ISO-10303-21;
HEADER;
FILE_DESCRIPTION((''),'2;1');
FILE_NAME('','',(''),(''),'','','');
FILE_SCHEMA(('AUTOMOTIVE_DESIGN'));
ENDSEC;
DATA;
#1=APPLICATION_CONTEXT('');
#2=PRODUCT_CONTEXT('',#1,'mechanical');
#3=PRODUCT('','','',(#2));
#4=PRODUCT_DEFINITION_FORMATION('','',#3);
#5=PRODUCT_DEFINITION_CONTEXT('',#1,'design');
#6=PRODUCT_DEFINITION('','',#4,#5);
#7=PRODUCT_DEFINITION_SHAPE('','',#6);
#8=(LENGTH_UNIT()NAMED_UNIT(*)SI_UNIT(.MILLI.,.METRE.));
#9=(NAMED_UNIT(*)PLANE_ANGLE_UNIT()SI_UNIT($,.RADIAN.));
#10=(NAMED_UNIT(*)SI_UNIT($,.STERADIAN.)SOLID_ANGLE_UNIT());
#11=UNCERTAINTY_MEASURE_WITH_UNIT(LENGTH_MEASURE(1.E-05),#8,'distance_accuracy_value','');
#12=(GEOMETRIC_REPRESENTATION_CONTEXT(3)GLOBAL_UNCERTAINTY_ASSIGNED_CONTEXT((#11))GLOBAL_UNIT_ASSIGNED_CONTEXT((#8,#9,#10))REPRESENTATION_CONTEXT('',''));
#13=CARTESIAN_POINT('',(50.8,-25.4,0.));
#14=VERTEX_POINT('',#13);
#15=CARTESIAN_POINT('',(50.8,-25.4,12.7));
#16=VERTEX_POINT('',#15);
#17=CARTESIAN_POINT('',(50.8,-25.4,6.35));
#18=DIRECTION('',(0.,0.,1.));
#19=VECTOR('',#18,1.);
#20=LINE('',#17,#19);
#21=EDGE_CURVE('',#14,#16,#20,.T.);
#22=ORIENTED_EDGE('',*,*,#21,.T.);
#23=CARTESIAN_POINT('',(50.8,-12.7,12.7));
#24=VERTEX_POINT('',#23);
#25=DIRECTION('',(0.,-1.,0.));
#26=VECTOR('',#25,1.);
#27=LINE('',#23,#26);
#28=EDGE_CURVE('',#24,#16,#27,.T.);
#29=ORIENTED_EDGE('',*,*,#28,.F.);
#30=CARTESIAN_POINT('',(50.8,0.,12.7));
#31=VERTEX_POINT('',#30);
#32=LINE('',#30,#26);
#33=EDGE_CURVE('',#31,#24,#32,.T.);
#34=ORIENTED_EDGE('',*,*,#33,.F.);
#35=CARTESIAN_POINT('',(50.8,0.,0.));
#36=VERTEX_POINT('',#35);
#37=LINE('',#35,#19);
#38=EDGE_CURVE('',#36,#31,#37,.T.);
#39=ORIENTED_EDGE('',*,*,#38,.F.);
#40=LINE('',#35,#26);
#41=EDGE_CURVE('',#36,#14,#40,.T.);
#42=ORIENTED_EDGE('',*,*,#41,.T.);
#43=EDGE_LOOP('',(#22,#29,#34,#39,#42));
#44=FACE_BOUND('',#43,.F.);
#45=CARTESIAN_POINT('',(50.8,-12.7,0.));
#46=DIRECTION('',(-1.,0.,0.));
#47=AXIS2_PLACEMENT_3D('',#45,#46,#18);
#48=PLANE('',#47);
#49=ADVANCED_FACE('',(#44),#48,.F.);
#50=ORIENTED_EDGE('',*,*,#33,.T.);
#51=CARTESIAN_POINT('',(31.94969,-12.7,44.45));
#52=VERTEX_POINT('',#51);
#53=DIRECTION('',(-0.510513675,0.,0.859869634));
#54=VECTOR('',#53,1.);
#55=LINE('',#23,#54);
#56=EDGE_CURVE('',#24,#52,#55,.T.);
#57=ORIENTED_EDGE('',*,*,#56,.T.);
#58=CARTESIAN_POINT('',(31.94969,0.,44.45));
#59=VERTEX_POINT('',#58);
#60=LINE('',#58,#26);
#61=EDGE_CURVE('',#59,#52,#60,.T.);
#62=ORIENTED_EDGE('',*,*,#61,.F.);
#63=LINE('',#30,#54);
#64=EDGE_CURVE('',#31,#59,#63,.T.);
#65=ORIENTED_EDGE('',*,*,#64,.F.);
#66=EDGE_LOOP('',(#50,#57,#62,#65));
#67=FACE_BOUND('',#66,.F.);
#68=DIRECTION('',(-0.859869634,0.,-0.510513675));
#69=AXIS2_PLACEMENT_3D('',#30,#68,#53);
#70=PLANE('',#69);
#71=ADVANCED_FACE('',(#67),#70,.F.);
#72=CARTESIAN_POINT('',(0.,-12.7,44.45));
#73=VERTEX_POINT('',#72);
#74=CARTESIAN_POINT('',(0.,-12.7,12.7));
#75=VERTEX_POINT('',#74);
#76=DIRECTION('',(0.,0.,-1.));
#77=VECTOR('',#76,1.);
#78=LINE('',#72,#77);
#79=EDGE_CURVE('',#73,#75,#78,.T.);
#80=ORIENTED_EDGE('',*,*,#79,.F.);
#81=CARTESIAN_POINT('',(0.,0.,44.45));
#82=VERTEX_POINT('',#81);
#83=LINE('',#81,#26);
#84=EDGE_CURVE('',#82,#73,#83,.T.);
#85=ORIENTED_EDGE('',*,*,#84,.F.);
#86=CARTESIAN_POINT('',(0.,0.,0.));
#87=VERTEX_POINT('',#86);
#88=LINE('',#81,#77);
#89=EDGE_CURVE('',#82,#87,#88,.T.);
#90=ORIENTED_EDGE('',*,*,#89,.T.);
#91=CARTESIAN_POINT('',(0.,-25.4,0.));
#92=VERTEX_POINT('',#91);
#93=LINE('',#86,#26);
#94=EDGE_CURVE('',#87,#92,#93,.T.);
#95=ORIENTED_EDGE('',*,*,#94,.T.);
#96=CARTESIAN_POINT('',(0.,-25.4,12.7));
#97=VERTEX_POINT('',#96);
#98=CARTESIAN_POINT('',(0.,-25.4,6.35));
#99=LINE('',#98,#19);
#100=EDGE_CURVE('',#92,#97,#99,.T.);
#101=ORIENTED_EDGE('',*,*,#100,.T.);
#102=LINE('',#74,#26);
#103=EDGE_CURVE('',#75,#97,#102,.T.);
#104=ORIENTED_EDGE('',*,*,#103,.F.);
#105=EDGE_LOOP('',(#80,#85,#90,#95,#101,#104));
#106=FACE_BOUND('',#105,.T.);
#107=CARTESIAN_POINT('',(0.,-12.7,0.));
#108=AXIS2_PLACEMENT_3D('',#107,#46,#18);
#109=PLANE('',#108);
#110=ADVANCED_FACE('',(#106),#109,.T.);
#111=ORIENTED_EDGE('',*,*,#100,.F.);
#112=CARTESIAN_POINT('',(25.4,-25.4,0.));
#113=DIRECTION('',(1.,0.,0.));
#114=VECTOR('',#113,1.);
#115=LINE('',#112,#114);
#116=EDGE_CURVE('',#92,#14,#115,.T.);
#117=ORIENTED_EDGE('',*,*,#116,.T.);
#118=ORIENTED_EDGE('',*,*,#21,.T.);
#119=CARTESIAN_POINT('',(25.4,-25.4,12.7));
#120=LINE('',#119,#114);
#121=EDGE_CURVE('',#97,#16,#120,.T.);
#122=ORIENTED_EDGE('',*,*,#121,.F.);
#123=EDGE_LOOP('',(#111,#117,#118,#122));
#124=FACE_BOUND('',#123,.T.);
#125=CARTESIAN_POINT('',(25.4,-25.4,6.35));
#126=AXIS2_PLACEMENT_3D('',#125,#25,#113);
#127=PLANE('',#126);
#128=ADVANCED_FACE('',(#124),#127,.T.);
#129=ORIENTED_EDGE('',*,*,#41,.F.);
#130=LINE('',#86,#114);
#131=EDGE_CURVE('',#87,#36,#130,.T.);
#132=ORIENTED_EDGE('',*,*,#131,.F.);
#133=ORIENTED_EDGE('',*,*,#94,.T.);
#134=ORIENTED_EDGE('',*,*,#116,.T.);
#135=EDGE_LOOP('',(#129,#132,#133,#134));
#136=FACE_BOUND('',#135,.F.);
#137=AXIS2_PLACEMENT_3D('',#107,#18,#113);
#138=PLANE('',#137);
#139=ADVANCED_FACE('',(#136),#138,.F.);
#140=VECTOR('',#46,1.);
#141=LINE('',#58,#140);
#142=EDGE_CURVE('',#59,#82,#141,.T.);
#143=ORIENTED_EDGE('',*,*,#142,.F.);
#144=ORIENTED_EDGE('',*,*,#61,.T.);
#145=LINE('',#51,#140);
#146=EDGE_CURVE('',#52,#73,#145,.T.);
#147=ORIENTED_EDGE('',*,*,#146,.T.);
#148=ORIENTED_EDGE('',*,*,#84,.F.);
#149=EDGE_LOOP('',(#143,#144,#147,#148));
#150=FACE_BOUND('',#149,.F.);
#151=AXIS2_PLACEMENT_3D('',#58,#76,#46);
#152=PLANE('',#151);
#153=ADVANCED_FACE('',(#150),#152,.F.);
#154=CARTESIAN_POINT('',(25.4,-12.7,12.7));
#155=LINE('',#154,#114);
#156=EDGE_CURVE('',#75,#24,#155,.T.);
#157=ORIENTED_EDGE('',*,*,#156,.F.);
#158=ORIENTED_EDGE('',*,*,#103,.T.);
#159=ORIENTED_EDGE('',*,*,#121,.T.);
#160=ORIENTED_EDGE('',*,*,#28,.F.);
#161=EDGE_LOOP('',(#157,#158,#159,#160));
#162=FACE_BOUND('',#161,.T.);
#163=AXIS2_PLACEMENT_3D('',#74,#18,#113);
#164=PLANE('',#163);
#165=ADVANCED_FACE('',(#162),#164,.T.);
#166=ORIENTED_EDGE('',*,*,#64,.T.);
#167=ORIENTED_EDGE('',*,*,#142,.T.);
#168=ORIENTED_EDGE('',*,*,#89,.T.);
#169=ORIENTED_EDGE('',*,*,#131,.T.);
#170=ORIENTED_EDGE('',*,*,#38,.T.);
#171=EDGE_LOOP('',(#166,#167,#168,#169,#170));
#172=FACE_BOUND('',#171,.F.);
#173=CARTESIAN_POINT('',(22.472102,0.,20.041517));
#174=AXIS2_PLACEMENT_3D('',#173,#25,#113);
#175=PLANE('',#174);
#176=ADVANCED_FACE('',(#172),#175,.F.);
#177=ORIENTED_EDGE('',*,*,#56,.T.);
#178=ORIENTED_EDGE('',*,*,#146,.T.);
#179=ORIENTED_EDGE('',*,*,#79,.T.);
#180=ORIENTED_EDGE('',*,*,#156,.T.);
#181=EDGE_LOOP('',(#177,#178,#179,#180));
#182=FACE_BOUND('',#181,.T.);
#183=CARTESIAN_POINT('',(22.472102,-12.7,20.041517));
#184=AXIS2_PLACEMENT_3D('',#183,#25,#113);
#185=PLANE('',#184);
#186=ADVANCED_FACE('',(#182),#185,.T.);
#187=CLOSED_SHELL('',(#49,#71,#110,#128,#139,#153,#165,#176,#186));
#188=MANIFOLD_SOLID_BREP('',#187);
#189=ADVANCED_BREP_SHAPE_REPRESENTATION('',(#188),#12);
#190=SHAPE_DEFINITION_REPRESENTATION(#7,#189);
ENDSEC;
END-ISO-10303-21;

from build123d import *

# Parameters (mm, degrees)
F1_DEPTH = 12.7
F2_W     = 50.8
F2_H     = 12.7
F3_DEPTH = 12.7


with BuildPart() as f1:
    # F0 (on Front) → F1 (new body)
    with BuildSketch(Plane.XZ):
        Polygon((0, 44.45), (0, 0), (50.8, 0), (50.8, 12.7), (31.94969, 44.45), align=None)
    extrude(amount=F1_DEPTH)

    # F2 (on face) → F3 (join)
    with BuildSketch(Plane.XZ.offset(12.7)):
        with Locations((25.4, 6.35)):
            Rectangle(F2_W, F2_H)
    extrude(amount=F3_DEPTH)


solid = f1.part
